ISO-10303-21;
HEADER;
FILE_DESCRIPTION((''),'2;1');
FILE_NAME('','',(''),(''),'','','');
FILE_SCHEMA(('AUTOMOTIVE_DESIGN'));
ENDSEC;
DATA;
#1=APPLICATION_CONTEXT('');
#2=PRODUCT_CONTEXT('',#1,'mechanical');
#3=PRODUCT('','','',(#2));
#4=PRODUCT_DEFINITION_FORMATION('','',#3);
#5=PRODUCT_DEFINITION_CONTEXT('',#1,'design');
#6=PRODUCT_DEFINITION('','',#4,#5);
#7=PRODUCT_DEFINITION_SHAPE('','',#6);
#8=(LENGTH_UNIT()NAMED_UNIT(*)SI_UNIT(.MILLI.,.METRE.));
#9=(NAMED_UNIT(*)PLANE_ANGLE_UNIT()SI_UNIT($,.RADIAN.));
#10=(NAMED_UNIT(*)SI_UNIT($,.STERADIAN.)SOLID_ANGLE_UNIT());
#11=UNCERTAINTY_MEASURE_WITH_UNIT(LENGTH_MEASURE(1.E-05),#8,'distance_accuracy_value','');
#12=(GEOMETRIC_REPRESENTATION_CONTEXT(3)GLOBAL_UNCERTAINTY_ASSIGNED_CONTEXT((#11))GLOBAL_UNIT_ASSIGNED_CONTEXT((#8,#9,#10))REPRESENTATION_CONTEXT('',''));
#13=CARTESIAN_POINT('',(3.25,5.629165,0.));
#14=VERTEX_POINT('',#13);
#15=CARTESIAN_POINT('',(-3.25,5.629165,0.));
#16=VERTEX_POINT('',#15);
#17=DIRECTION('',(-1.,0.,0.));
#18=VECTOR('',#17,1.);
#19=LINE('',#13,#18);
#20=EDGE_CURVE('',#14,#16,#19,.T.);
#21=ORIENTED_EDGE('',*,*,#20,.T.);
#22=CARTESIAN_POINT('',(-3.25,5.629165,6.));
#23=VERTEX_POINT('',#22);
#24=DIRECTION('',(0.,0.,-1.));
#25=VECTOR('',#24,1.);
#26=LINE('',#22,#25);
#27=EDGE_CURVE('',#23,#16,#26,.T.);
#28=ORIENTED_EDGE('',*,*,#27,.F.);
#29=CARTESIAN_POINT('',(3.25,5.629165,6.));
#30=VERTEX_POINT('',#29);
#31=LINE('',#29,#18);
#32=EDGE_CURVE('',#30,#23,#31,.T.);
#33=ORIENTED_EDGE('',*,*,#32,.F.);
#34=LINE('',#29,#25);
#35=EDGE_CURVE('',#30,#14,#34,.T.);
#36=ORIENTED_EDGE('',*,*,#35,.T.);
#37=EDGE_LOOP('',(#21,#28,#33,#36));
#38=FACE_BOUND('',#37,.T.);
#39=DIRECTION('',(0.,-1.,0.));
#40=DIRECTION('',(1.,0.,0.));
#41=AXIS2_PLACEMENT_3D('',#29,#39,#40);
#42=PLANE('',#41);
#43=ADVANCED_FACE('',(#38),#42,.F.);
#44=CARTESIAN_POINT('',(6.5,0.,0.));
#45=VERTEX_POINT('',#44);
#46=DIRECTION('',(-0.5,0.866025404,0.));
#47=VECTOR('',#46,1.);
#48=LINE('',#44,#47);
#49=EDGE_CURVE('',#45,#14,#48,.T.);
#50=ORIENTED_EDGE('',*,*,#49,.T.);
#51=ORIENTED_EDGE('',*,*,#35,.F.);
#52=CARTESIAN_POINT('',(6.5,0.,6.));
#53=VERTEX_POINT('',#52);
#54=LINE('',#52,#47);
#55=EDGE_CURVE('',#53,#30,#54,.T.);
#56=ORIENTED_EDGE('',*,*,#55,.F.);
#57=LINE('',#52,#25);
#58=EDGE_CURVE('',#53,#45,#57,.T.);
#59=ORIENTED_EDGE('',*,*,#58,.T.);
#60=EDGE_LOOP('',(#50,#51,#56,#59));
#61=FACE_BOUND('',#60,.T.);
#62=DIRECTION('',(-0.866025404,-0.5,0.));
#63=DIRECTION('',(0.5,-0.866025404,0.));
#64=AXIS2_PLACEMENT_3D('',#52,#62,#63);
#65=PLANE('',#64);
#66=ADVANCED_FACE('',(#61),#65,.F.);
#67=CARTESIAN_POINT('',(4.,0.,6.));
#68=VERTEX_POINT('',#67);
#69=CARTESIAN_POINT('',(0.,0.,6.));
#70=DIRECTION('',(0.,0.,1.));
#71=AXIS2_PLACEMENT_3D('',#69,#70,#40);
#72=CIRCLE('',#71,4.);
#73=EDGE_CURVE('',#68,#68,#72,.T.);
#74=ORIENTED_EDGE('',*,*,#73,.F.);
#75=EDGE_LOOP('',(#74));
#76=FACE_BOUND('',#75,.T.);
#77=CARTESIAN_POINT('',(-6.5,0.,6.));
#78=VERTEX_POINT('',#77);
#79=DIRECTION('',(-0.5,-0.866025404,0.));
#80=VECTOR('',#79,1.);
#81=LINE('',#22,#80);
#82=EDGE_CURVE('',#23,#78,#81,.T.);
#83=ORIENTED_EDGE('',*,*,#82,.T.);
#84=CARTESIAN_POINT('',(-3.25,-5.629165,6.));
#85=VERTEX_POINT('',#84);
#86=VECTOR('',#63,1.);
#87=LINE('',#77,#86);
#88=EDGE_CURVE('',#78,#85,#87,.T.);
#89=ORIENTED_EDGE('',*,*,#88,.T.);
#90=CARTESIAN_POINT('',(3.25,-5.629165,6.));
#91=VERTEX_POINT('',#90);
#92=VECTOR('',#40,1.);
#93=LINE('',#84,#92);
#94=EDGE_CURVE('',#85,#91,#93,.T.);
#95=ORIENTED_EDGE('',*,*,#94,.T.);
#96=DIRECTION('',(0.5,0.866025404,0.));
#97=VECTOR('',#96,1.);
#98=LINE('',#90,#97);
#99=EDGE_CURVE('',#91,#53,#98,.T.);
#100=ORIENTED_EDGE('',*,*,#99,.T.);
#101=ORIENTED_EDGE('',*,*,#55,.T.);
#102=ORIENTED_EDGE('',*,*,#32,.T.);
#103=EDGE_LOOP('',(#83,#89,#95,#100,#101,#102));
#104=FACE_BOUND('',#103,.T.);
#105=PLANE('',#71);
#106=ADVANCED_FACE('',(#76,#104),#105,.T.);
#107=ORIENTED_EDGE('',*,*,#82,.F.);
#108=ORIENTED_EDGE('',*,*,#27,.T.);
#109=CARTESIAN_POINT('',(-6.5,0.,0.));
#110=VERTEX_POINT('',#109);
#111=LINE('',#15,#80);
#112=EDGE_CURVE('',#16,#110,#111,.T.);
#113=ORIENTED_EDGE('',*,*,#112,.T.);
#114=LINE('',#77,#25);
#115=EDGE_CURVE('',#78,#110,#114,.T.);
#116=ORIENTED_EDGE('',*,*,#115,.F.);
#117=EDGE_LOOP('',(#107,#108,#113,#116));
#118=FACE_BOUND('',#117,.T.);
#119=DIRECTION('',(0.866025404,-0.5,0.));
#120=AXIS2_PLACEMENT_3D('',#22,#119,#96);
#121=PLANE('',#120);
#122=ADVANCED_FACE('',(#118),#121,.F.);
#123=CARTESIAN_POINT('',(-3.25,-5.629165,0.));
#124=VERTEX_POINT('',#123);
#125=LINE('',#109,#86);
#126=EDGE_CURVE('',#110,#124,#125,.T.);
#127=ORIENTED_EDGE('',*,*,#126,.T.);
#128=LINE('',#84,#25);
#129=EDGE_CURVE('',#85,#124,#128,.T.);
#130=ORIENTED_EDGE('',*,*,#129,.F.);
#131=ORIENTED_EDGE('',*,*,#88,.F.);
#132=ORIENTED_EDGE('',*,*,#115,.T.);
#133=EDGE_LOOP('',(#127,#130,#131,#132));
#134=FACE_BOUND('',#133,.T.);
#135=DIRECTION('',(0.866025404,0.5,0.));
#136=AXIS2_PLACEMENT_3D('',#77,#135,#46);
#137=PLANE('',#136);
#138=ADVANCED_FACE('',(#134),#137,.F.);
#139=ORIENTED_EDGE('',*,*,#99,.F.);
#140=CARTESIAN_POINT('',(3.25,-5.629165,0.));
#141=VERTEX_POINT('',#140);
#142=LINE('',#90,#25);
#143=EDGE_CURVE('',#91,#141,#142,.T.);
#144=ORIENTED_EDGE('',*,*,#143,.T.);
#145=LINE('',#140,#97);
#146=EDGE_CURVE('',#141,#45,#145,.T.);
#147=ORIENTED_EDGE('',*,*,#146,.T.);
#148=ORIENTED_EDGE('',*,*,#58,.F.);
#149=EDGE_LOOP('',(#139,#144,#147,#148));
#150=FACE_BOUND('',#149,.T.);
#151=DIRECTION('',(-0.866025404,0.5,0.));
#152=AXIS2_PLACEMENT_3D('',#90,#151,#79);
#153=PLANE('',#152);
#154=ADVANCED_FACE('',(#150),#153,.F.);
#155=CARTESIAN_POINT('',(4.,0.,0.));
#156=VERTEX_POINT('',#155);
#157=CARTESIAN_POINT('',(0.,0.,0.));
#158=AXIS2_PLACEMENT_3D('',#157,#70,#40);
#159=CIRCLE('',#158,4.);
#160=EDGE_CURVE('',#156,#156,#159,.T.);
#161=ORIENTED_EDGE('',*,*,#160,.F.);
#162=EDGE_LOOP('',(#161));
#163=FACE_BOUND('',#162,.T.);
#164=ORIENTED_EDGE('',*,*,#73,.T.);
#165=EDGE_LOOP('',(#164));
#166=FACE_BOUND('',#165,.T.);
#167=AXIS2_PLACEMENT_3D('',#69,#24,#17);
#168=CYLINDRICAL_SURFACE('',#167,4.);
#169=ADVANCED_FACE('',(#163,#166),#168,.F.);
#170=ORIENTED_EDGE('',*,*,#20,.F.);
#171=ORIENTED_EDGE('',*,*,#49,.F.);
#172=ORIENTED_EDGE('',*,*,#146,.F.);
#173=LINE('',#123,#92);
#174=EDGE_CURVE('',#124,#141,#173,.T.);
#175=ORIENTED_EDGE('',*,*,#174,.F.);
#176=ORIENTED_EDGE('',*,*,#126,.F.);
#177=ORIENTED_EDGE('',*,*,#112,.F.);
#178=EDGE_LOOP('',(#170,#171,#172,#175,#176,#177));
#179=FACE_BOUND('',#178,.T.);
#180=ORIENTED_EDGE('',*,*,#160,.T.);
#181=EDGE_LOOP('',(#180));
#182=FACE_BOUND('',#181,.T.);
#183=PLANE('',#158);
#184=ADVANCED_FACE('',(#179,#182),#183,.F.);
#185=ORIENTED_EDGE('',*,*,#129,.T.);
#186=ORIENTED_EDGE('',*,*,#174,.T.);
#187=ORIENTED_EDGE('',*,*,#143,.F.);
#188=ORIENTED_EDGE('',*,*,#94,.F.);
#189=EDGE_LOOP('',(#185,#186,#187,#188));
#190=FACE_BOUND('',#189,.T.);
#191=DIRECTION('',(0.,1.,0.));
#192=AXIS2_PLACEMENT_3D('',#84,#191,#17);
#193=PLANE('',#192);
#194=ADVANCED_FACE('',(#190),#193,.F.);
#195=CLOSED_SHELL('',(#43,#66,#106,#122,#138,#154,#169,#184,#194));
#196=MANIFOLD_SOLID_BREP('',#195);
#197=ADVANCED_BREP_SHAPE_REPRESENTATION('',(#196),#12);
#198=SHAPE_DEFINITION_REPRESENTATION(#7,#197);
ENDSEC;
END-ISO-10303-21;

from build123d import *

# Parameters (mm, degrees)
BOSS_EXTRUDE1_DEPTH = 6
SKETCH2_R           = 4
CUT_EXTRUDE1_DEPTH  = 6


with BuildPart() as part:
    # Sketch1 → Boss-Extrude1 (new body)
    with BuildSketch(Plane.XY):
        Polygon((6.5, 0), (3.25, 5.629165125), (-3.25, 5.629165125), (-6.5, 0), (-3.25, -5.629165125), (3.25, -5.629165125), align=None)
    extrude(amount=BOSS_EXTRUDE1_DEPTH)

    # Sketch2 → Cut-Extrude1 (cut)
    with BuildSketch(Plane.XY):
        Circle(SKETCH2_R)
    extrude(amount=CUT_EXTRUDE1_DEPTH, mode=Mode.SUBTRACT)


solid = part.part
